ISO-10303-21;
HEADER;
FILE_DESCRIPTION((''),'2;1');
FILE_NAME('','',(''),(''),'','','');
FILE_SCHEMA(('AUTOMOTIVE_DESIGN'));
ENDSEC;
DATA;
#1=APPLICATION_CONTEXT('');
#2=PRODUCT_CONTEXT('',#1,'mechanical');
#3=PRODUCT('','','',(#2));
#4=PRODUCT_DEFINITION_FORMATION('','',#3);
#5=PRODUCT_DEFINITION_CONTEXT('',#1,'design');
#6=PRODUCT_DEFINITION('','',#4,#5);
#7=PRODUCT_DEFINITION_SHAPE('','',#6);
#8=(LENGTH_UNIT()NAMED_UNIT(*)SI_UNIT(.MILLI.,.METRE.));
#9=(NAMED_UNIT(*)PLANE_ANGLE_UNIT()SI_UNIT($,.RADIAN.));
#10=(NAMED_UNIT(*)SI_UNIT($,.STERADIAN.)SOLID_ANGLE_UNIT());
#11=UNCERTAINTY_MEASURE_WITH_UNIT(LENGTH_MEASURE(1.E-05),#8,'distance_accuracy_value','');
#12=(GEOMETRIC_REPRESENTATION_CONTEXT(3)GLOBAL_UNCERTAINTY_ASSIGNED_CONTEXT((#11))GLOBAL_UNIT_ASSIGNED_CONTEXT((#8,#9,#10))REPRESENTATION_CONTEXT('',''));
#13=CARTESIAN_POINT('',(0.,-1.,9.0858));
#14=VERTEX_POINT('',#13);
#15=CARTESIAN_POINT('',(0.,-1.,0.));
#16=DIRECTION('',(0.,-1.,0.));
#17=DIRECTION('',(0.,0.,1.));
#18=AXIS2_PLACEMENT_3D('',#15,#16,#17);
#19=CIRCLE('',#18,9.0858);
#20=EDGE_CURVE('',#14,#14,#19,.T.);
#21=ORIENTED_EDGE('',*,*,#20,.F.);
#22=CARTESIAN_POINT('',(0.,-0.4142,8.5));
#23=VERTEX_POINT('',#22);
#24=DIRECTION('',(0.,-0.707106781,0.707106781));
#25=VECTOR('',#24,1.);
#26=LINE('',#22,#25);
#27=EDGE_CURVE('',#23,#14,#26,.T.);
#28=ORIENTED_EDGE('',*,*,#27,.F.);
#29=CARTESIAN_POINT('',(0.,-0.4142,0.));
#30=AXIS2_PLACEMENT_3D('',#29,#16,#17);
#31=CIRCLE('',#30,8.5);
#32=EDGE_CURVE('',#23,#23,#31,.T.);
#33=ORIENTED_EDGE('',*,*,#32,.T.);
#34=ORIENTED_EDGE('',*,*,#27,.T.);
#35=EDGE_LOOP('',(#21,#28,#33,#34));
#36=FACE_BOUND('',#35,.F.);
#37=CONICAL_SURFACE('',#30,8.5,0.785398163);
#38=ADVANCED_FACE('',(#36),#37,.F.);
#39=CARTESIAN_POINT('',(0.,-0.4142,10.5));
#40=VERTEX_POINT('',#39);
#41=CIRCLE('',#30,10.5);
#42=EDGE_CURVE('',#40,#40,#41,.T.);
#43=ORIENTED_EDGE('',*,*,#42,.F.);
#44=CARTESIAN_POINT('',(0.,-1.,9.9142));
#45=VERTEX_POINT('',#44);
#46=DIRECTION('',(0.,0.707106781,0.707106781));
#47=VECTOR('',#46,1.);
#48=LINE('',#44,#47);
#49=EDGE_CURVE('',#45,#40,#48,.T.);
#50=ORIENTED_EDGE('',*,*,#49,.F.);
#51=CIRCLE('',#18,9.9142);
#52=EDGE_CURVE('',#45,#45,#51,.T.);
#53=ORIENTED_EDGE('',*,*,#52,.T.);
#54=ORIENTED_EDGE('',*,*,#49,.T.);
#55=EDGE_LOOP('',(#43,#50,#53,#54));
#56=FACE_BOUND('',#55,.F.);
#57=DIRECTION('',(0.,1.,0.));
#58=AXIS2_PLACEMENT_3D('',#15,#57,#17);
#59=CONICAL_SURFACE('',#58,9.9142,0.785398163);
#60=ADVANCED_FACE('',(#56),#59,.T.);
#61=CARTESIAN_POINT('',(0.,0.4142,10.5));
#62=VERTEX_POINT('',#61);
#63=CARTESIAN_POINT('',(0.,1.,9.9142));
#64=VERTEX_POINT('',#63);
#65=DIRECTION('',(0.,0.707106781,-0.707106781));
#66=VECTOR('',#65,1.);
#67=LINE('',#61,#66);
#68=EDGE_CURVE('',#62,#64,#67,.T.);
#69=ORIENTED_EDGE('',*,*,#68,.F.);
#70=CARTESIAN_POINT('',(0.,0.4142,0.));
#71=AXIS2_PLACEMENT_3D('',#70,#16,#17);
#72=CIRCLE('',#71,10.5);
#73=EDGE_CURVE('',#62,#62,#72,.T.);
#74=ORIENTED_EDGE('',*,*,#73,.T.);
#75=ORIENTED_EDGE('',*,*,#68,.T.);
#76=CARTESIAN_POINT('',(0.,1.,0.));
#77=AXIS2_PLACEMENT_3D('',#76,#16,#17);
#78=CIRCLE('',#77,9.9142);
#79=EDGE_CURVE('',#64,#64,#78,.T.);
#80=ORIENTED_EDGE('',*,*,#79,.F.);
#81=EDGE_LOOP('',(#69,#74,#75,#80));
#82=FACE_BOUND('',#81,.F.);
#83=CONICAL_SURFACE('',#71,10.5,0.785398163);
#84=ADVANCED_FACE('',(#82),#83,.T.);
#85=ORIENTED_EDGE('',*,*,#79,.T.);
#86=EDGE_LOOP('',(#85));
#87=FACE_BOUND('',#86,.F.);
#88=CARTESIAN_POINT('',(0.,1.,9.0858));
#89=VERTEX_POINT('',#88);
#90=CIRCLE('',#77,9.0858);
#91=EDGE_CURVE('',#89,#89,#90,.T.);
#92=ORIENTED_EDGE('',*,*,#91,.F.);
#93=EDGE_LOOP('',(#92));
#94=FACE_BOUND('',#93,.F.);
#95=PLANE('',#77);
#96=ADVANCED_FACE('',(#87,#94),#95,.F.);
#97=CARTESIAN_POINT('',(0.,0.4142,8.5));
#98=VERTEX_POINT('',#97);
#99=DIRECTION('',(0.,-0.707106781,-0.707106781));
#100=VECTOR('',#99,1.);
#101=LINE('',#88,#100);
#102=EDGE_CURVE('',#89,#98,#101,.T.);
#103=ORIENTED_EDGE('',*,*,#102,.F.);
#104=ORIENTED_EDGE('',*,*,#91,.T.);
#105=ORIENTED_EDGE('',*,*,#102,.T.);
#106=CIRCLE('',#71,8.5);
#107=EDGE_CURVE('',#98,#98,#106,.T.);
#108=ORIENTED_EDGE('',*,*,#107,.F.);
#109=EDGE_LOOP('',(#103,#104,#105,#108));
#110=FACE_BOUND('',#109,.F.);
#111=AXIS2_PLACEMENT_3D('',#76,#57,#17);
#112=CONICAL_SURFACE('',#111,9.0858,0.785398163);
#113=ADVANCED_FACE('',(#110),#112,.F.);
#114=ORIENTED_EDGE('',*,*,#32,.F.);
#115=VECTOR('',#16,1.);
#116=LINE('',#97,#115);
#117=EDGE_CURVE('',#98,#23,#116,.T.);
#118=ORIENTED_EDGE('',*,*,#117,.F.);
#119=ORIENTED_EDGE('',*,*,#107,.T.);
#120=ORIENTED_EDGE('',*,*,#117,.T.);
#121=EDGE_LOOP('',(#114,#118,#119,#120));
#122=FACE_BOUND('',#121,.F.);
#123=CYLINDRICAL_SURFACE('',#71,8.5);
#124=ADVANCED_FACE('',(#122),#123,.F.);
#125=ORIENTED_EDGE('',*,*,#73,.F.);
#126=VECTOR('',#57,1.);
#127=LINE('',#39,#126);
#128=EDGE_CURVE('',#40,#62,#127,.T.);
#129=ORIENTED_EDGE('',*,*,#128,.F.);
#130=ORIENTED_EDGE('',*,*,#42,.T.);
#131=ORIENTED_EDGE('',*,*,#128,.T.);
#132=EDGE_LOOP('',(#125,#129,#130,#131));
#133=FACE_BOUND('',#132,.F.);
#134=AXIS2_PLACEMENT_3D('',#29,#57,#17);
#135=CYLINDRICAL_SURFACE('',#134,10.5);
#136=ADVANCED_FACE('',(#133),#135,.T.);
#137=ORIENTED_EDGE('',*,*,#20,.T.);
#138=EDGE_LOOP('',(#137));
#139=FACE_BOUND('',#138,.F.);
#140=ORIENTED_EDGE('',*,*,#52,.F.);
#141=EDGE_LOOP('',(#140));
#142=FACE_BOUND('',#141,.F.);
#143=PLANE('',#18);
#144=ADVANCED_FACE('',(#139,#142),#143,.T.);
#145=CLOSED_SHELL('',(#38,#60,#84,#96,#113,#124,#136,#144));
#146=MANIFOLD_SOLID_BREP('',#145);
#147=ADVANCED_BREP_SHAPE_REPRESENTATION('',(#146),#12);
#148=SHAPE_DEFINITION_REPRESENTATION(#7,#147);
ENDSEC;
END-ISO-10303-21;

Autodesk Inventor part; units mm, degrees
ref_plane "YZ Plane" through (0, 0, 0) normal (1, 0, 0) x (0, 1, 0)
ref_plane "XZ Plane" through (0, 0, 0) normal (0, 1, 0) x (-1, 0, 0)
ref_plane "XY Plane" through (0, 0, 0) normal (0, 0, 1) x (1, 0, 0)
sketch "Sketch1" plane through (0, 0, 0) normal (1, 0, 0) x (0, 1, 0)
  line L0 (-0.4142, 8.5) -> (-1, 9.0858)
  line L1 (-1, 9.0858) -> (-1, 9.9142)
  line L2 (-1, 9.9142) -> (-0.4142, 10.5)
  line L3 (-0.4142, 10.5) -> (0.4142, 10.5)
  line L4 (0.4142, 10.5) -> (1, 9.9142)
  line L5 (1, 9.9142) -> (1, 9.0858)
  line L6 (1, 9.0858) -> (0.4142, 8.5)
  line L7 (0.4142, 8.5) -> (-0.4142, 8.5)
  line L8 (3.1428, 0) -> (-2.1354, 0)
  point P0 (0, 0)
  point P1 (0, 9.5)
  dimension "d2" = 2
  dimension "d3" = 0
  dimension "d5" = 8.5
revolve "Revolution1" add sketch "Sketch1" angle 360 about axis through (0, 3.1428, 0) along (0, -1, 0)
properties part number "Ring"
